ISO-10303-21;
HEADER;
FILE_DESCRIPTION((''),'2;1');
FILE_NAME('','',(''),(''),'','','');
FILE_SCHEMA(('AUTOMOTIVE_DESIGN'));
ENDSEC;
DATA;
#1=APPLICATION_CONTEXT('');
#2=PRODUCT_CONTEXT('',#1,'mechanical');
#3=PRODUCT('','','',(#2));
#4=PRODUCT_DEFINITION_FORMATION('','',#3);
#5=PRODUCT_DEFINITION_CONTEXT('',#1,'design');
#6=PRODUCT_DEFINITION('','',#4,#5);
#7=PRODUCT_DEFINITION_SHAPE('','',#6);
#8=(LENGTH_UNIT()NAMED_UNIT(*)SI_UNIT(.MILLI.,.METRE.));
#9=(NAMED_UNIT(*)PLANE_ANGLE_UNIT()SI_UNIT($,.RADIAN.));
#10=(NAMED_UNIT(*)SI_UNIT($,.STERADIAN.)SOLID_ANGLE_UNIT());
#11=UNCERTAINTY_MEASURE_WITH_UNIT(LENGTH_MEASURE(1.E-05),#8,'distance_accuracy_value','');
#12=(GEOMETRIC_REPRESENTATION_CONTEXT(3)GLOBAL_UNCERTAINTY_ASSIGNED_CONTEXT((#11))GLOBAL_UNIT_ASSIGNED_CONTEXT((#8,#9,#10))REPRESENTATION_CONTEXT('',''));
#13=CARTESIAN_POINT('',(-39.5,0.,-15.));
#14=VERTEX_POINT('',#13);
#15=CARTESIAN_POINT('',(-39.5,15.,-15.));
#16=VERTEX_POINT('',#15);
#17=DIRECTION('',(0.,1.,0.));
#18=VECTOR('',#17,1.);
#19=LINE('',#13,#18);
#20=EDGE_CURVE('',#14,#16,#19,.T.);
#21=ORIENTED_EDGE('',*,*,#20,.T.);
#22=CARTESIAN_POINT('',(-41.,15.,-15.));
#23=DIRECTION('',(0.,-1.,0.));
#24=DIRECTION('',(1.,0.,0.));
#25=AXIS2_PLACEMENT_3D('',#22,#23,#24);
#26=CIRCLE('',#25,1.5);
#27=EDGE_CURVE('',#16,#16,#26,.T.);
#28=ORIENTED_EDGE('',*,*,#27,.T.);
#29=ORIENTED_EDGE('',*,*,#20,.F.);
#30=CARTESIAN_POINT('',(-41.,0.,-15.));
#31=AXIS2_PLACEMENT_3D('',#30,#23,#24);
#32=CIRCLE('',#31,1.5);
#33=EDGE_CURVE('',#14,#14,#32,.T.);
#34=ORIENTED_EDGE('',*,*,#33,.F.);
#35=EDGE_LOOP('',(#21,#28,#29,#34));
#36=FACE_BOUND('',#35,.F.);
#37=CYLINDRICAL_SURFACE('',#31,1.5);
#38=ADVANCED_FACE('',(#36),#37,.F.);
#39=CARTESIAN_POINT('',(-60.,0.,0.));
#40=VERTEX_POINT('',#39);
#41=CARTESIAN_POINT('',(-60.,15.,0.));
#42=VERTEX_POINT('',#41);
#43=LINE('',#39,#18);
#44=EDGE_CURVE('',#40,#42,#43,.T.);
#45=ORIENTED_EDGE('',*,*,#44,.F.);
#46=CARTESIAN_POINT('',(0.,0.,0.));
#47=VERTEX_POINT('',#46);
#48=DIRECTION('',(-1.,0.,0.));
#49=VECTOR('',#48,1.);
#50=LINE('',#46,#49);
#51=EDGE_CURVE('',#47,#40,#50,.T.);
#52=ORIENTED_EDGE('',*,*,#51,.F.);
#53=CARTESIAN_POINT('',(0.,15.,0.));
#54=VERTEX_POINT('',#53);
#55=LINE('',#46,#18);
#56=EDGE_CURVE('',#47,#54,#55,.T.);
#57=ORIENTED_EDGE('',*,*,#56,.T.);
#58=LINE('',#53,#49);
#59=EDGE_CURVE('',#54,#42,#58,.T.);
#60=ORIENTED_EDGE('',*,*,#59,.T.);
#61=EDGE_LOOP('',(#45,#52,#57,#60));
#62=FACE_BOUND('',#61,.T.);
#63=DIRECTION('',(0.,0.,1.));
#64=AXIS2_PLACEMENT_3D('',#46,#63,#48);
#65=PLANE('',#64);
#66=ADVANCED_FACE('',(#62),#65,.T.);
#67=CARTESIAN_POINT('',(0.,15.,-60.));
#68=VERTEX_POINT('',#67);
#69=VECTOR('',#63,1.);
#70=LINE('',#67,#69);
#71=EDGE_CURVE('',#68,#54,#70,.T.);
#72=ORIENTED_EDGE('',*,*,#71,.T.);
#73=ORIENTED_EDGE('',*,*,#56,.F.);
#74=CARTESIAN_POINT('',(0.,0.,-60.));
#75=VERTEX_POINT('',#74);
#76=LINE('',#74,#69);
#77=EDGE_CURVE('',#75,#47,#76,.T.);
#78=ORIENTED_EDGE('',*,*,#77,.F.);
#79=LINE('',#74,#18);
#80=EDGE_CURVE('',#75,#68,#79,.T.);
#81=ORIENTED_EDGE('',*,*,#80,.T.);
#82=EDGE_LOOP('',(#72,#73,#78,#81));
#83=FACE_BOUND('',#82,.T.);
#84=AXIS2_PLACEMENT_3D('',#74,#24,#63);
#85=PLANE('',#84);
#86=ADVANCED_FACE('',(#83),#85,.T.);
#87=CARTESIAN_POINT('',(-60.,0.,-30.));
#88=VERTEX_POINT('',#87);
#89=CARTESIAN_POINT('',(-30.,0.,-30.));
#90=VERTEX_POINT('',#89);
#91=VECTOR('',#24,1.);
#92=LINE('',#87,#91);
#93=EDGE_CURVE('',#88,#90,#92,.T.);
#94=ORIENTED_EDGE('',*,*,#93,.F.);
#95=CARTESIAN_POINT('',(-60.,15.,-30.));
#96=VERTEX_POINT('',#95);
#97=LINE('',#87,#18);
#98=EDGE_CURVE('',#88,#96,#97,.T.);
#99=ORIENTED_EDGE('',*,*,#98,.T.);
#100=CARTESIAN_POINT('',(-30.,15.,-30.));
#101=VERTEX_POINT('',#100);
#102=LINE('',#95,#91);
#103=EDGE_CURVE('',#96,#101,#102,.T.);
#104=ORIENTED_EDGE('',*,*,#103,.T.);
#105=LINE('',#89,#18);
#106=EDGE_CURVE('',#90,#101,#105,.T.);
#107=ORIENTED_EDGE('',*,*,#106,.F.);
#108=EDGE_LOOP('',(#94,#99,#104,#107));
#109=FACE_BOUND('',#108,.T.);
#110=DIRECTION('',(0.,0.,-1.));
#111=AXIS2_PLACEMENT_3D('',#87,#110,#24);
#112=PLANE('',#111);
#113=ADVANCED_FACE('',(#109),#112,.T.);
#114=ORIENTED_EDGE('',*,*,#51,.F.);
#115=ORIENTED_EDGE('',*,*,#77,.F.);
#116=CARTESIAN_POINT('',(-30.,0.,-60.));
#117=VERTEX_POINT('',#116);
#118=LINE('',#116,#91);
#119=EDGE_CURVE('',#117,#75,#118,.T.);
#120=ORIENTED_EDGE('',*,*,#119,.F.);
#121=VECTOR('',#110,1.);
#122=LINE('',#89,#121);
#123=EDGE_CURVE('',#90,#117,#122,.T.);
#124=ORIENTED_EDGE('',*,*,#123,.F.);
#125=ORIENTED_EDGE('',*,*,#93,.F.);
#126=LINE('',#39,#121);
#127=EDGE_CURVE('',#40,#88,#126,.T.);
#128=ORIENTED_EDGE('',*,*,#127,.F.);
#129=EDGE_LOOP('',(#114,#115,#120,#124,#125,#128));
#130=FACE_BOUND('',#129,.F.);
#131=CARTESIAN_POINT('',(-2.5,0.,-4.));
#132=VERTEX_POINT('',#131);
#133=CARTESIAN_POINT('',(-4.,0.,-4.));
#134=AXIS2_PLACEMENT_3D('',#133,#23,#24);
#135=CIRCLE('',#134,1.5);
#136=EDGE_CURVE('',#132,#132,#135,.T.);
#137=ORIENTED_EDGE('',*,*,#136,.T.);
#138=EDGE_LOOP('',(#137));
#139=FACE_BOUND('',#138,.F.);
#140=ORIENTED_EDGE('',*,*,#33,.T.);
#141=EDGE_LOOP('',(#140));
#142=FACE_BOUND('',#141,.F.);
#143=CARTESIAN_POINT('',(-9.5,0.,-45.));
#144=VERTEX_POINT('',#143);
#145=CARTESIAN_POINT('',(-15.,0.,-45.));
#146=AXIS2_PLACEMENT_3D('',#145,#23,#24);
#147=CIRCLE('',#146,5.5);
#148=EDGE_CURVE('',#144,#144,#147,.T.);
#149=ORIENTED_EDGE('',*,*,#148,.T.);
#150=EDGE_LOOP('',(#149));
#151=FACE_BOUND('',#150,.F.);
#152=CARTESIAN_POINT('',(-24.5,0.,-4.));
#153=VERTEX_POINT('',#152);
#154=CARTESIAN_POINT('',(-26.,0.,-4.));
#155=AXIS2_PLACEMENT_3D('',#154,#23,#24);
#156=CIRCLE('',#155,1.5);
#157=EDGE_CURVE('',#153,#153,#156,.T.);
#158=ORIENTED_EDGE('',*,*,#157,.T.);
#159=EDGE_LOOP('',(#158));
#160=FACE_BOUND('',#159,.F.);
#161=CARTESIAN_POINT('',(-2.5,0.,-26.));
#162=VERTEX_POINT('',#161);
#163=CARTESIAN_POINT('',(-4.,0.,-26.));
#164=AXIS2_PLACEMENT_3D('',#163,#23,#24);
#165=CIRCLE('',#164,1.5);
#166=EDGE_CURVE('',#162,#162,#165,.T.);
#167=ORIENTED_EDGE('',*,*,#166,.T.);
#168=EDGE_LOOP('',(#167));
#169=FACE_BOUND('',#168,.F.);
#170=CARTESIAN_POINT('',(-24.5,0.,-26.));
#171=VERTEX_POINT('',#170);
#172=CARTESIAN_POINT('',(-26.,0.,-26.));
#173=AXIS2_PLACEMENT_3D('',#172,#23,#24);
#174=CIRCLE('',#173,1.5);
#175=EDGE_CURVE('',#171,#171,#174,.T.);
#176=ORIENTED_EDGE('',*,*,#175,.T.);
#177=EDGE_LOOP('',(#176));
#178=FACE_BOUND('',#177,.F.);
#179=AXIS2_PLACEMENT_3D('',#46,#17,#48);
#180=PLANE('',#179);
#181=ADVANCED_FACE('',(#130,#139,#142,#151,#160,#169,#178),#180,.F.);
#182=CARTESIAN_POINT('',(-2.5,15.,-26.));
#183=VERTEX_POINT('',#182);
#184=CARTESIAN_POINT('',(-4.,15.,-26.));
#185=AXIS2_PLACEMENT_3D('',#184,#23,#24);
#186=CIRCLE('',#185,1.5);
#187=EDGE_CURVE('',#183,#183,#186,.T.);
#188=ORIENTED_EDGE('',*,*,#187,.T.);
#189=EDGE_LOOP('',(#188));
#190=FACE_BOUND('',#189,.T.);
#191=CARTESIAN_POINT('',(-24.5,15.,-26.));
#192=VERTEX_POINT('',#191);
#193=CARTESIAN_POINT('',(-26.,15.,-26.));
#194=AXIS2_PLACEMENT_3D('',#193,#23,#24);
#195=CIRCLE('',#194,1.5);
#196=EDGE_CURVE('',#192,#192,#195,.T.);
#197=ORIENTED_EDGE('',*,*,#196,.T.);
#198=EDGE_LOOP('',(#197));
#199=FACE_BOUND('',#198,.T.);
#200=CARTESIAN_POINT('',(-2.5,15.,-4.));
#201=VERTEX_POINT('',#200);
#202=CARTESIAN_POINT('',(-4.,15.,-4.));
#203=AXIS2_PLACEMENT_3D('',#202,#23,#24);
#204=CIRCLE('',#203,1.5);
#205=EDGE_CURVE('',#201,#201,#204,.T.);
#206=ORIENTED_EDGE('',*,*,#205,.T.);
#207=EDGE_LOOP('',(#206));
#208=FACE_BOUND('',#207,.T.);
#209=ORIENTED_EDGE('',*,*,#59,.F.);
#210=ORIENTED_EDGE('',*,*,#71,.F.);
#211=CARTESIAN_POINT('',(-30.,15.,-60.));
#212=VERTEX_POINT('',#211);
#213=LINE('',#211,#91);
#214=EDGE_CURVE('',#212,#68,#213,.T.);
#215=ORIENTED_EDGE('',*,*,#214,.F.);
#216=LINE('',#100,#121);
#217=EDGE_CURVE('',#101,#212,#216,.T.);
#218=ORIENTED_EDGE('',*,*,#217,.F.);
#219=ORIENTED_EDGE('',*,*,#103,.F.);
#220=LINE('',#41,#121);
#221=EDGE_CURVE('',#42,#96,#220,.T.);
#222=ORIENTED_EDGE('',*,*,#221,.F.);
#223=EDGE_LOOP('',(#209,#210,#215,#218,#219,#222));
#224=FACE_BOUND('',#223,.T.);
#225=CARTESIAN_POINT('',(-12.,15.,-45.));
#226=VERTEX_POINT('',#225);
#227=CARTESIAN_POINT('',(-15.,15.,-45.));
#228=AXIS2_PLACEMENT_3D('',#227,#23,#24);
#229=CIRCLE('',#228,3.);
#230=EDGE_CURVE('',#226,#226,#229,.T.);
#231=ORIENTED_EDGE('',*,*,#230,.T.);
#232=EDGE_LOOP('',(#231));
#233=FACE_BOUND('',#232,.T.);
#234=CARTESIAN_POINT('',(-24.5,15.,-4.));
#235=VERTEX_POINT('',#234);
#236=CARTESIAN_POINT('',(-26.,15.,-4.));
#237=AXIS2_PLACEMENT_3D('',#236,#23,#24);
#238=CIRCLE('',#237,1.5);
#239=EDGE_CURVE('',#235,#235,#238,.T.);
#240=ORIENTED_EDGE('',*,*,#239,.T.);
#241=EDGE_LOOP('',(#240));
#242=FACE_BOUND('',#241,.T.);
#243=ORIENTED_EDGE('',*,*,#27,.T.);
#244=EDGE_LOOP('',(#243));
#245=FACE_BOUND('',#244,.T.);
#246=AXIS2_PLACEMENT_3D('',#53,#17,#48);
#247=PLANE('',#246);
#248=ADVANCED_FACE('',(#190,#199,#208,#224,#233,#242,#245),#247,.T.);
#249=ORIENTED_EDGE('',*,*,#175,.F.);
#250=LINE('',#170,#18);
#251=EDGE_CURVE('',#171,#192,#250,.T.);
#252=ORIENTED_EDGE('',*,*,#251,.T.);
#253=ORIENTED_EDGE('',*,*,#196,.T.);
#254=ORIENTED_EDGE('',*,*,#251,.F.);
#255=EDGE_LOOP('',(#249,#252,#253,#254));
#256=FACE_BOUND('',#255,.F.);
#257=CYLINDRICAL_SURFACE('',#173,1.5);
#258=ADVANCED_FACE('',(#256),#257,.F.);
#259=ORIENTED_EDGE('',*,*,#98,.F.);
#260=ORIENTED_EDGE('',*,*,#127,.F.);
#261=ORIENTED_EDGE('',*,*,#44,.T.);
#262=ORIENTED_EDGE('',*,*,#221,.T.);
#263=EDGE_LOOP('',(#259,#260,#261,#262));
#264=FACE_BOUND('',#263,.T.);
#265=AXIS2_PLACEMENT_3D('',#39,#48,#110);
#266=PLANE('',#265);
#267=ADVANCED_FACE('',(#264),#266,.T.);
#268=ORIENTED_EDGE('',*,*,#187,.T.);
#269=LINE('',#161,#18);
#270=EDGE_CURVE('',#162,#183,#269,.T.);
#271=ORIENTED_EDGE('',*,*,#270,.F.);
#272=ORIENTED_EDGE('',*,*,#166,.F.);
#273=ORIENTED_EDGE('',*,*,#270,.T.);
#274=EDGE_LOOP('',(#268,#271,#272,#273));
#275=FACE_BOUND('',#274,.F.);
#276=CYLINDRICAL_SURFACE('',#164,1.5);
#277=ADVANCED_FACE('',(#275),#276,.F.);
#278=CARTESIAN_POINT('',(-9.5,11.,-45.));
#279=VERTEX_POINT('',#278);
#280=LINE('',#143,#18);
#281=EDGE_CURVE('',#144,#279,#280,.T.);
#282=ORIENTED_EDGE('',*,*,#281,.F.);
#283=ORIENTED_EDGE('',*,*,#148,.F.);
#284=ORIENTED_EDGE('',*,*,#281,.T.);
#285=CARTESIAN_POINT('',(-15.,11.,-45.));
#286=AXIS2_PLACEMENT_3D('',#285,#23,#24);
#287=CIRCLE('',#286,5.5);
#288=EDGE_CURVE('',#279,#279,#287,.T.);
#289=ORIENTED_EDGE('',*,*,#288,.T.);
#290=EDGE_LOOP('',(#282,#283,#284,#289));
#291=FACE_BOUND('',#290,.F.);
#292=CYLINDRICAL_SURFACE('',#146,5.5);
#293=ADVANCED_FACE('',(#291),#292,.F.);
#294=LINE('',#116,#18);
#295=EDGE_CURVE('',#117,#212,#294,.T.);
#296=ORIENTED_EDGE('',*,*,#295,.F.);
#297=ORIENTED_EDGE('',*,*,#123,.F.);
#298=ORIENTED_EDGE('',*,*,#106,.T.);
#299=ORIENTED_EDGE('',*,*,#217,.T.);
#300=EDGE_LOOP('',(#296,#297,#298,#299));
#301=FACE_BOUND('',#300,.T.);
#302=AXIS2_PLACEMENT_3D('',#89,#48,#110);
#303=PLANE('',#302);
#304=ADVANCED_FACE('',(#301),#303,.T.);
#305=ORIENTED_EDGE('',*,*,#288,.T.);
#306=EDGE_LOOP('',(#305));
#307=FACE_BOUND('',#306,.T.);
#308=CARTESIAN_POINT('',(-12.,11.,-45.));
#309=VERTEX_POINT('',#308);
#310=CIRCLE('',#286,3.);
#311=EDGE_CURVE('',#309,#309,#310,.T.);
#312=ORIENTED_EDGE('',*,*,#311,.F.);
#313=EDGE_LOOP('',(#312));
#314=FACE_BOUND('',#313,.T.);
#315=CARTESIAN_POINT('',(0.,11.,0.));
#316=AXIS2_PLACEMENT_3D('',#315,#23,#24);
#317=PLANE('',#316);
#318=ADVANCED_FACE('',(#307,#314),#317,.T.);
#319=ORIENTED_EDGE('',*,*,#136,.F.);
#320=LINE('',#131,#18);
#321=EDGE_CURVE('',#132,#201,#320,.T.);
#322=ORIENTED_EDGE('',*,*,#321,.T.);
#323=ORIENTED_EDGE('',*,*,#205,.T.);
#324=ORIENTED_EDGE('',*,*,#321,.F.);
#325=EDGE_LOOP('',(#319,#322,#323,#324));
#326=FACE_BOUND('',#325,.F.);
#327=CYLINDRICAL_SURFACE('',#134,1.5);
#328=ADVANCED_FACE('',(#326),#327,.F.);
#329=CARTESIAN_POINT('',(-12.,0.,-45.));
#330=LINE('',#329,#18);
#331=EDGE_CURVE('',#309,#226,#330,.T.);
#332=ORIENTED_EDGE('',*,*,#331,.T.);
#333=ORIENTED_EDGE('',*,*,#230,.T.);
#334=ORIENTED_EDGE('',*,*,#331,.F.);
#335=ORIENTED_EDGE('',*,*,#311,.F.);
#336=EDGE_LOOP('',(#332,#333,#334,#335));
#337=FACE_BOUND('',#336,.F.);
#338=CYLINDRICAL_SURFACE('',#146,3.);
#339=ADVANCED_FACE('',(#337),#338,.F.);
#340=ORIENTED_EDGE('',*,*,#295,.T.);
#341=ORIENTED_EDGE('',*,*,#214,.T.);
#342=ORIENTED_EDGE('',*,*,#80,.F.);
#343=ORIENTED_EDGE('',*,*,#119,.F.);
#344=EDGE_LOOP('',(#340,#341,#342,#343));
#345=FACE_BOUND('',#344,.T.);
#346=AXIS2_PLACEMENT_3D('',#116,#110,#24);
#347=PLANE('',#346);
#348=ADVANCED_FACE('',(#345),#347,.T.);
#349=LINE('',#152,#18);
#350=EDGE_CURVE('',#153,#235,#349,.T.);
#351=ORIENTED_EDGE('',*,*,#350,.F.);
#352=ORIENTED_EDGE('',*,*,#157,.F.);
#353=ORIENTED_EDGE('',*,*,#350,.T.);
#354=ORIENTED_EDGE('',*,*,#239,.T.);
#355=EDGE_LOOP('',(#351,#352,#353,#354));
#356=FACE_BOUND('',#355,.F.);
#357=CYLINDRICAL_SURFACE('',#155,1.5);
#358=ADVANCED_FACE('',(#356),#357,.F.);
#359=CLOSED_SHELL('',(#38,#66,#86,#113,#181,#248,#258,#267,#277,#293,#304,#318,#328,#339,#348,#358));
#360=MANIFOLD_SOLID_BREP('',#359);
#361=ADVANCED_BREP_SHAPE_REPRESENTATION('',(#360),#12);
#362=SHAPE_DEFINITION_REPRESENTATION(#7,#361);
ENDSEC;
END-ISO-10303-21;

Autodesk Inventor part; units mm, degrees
ref_plane "YZ Plane" through (0, 0, 0) normal (1, 0, 0) x (0, 1, 0)
ref_plane "XZ Plane" through (0, 0, 0) normal (0, 1, 0) x (-1, 0, 0)
ref_plane "XY Plane" through (0, 0, 0) normal (0, 0, 1) x (1, 0, 0)
sketch "Sketch1" plane through (0, 0, 0) normal (0, 1, 0) x (-1, 0, 0)
  line L0 (0, 0) -> (60, 0)
  line L1 (60, 0) -> (60, -30)
  line L2 (60, -30) -> (30, -30)
  line L3 (30, -30) -> (30, -60)
  line L4 (30, -60) -> (0, -60)
  line L5 (0, -60) -> (0, 0)
  dimension "d0" = 60
  dimension "d1" = 30
  dimension "d2" = 30
  dimension "d3" = 30
  dimension "d4" = 30
extrude "Extrusion1" add sketch "Sketch1" along normal blind 15
sketch "Sketch13" plane through (0, 0, 0) normal (0, -1, 0) x (1, 0, 0)
  circle A0 centre (-4, -4) radius 1.5
  circle A1 centre (-26, -4) radius 1.5
  circle A2 centre (-4, -26) radius 1.5
  circle A3 centre (-26, -26) radius 1.5
  point P0 (0, 0)
  dimension "d55" = 3
  dimension "d56" = 3
  dimension "d57" = 3
  dimension "d58" = 3
extrude "Extrusion7" cut sketch "Sketch13" against normal up to next
sketch "Sketch14" plane through (0, 0, 0) normal (0, -1, 0) x (1, 0, 0)
  circle A0 centre (-41, -15) radius 1.5
  line L0 (-60, 0) -> (-60, -30) projected
  line L1 (0, 0) -> (-60, 0) projected
  circle A1 centre (-15, -45) radius 3
  line L2 (-30, -60) -> (0, -60) projected
  line L3 (-30, -30) -> (-30, -60) projected
  dimension "d61" = 3
  dimension "d62" = 19
  dimension "d63" = 15
  dimension "d64" = 6
  dimension "d65" = 15
  dimension "d66" = 15
extrude "Extrusion8" cut sketch "Sketch14" against normal up to next
sketch "Sketch15" plane through (0, 0, 0) normal (0, -1, 0) x (1, 0, 0)
  circle A0 centre (-15, -45) radius 5.5
  point P0 (0, 0)
  dimension "d69" = 11
extrude "Extrusion9" cut sketch "Sketch15" against normal blind 11
sketch "Sketch2" plane through (0, 0, 0) normal (0, -1, 0) x (1, 0, 0)
  point P0 (-15, -45)
sketch "Sketch3" plane through (0, 15, 0) normal (0, 1, 0) x (1, 0, 0)
  point P0 (-45, 15)
properties part number "wooden1" material "Aluminum 6061"
